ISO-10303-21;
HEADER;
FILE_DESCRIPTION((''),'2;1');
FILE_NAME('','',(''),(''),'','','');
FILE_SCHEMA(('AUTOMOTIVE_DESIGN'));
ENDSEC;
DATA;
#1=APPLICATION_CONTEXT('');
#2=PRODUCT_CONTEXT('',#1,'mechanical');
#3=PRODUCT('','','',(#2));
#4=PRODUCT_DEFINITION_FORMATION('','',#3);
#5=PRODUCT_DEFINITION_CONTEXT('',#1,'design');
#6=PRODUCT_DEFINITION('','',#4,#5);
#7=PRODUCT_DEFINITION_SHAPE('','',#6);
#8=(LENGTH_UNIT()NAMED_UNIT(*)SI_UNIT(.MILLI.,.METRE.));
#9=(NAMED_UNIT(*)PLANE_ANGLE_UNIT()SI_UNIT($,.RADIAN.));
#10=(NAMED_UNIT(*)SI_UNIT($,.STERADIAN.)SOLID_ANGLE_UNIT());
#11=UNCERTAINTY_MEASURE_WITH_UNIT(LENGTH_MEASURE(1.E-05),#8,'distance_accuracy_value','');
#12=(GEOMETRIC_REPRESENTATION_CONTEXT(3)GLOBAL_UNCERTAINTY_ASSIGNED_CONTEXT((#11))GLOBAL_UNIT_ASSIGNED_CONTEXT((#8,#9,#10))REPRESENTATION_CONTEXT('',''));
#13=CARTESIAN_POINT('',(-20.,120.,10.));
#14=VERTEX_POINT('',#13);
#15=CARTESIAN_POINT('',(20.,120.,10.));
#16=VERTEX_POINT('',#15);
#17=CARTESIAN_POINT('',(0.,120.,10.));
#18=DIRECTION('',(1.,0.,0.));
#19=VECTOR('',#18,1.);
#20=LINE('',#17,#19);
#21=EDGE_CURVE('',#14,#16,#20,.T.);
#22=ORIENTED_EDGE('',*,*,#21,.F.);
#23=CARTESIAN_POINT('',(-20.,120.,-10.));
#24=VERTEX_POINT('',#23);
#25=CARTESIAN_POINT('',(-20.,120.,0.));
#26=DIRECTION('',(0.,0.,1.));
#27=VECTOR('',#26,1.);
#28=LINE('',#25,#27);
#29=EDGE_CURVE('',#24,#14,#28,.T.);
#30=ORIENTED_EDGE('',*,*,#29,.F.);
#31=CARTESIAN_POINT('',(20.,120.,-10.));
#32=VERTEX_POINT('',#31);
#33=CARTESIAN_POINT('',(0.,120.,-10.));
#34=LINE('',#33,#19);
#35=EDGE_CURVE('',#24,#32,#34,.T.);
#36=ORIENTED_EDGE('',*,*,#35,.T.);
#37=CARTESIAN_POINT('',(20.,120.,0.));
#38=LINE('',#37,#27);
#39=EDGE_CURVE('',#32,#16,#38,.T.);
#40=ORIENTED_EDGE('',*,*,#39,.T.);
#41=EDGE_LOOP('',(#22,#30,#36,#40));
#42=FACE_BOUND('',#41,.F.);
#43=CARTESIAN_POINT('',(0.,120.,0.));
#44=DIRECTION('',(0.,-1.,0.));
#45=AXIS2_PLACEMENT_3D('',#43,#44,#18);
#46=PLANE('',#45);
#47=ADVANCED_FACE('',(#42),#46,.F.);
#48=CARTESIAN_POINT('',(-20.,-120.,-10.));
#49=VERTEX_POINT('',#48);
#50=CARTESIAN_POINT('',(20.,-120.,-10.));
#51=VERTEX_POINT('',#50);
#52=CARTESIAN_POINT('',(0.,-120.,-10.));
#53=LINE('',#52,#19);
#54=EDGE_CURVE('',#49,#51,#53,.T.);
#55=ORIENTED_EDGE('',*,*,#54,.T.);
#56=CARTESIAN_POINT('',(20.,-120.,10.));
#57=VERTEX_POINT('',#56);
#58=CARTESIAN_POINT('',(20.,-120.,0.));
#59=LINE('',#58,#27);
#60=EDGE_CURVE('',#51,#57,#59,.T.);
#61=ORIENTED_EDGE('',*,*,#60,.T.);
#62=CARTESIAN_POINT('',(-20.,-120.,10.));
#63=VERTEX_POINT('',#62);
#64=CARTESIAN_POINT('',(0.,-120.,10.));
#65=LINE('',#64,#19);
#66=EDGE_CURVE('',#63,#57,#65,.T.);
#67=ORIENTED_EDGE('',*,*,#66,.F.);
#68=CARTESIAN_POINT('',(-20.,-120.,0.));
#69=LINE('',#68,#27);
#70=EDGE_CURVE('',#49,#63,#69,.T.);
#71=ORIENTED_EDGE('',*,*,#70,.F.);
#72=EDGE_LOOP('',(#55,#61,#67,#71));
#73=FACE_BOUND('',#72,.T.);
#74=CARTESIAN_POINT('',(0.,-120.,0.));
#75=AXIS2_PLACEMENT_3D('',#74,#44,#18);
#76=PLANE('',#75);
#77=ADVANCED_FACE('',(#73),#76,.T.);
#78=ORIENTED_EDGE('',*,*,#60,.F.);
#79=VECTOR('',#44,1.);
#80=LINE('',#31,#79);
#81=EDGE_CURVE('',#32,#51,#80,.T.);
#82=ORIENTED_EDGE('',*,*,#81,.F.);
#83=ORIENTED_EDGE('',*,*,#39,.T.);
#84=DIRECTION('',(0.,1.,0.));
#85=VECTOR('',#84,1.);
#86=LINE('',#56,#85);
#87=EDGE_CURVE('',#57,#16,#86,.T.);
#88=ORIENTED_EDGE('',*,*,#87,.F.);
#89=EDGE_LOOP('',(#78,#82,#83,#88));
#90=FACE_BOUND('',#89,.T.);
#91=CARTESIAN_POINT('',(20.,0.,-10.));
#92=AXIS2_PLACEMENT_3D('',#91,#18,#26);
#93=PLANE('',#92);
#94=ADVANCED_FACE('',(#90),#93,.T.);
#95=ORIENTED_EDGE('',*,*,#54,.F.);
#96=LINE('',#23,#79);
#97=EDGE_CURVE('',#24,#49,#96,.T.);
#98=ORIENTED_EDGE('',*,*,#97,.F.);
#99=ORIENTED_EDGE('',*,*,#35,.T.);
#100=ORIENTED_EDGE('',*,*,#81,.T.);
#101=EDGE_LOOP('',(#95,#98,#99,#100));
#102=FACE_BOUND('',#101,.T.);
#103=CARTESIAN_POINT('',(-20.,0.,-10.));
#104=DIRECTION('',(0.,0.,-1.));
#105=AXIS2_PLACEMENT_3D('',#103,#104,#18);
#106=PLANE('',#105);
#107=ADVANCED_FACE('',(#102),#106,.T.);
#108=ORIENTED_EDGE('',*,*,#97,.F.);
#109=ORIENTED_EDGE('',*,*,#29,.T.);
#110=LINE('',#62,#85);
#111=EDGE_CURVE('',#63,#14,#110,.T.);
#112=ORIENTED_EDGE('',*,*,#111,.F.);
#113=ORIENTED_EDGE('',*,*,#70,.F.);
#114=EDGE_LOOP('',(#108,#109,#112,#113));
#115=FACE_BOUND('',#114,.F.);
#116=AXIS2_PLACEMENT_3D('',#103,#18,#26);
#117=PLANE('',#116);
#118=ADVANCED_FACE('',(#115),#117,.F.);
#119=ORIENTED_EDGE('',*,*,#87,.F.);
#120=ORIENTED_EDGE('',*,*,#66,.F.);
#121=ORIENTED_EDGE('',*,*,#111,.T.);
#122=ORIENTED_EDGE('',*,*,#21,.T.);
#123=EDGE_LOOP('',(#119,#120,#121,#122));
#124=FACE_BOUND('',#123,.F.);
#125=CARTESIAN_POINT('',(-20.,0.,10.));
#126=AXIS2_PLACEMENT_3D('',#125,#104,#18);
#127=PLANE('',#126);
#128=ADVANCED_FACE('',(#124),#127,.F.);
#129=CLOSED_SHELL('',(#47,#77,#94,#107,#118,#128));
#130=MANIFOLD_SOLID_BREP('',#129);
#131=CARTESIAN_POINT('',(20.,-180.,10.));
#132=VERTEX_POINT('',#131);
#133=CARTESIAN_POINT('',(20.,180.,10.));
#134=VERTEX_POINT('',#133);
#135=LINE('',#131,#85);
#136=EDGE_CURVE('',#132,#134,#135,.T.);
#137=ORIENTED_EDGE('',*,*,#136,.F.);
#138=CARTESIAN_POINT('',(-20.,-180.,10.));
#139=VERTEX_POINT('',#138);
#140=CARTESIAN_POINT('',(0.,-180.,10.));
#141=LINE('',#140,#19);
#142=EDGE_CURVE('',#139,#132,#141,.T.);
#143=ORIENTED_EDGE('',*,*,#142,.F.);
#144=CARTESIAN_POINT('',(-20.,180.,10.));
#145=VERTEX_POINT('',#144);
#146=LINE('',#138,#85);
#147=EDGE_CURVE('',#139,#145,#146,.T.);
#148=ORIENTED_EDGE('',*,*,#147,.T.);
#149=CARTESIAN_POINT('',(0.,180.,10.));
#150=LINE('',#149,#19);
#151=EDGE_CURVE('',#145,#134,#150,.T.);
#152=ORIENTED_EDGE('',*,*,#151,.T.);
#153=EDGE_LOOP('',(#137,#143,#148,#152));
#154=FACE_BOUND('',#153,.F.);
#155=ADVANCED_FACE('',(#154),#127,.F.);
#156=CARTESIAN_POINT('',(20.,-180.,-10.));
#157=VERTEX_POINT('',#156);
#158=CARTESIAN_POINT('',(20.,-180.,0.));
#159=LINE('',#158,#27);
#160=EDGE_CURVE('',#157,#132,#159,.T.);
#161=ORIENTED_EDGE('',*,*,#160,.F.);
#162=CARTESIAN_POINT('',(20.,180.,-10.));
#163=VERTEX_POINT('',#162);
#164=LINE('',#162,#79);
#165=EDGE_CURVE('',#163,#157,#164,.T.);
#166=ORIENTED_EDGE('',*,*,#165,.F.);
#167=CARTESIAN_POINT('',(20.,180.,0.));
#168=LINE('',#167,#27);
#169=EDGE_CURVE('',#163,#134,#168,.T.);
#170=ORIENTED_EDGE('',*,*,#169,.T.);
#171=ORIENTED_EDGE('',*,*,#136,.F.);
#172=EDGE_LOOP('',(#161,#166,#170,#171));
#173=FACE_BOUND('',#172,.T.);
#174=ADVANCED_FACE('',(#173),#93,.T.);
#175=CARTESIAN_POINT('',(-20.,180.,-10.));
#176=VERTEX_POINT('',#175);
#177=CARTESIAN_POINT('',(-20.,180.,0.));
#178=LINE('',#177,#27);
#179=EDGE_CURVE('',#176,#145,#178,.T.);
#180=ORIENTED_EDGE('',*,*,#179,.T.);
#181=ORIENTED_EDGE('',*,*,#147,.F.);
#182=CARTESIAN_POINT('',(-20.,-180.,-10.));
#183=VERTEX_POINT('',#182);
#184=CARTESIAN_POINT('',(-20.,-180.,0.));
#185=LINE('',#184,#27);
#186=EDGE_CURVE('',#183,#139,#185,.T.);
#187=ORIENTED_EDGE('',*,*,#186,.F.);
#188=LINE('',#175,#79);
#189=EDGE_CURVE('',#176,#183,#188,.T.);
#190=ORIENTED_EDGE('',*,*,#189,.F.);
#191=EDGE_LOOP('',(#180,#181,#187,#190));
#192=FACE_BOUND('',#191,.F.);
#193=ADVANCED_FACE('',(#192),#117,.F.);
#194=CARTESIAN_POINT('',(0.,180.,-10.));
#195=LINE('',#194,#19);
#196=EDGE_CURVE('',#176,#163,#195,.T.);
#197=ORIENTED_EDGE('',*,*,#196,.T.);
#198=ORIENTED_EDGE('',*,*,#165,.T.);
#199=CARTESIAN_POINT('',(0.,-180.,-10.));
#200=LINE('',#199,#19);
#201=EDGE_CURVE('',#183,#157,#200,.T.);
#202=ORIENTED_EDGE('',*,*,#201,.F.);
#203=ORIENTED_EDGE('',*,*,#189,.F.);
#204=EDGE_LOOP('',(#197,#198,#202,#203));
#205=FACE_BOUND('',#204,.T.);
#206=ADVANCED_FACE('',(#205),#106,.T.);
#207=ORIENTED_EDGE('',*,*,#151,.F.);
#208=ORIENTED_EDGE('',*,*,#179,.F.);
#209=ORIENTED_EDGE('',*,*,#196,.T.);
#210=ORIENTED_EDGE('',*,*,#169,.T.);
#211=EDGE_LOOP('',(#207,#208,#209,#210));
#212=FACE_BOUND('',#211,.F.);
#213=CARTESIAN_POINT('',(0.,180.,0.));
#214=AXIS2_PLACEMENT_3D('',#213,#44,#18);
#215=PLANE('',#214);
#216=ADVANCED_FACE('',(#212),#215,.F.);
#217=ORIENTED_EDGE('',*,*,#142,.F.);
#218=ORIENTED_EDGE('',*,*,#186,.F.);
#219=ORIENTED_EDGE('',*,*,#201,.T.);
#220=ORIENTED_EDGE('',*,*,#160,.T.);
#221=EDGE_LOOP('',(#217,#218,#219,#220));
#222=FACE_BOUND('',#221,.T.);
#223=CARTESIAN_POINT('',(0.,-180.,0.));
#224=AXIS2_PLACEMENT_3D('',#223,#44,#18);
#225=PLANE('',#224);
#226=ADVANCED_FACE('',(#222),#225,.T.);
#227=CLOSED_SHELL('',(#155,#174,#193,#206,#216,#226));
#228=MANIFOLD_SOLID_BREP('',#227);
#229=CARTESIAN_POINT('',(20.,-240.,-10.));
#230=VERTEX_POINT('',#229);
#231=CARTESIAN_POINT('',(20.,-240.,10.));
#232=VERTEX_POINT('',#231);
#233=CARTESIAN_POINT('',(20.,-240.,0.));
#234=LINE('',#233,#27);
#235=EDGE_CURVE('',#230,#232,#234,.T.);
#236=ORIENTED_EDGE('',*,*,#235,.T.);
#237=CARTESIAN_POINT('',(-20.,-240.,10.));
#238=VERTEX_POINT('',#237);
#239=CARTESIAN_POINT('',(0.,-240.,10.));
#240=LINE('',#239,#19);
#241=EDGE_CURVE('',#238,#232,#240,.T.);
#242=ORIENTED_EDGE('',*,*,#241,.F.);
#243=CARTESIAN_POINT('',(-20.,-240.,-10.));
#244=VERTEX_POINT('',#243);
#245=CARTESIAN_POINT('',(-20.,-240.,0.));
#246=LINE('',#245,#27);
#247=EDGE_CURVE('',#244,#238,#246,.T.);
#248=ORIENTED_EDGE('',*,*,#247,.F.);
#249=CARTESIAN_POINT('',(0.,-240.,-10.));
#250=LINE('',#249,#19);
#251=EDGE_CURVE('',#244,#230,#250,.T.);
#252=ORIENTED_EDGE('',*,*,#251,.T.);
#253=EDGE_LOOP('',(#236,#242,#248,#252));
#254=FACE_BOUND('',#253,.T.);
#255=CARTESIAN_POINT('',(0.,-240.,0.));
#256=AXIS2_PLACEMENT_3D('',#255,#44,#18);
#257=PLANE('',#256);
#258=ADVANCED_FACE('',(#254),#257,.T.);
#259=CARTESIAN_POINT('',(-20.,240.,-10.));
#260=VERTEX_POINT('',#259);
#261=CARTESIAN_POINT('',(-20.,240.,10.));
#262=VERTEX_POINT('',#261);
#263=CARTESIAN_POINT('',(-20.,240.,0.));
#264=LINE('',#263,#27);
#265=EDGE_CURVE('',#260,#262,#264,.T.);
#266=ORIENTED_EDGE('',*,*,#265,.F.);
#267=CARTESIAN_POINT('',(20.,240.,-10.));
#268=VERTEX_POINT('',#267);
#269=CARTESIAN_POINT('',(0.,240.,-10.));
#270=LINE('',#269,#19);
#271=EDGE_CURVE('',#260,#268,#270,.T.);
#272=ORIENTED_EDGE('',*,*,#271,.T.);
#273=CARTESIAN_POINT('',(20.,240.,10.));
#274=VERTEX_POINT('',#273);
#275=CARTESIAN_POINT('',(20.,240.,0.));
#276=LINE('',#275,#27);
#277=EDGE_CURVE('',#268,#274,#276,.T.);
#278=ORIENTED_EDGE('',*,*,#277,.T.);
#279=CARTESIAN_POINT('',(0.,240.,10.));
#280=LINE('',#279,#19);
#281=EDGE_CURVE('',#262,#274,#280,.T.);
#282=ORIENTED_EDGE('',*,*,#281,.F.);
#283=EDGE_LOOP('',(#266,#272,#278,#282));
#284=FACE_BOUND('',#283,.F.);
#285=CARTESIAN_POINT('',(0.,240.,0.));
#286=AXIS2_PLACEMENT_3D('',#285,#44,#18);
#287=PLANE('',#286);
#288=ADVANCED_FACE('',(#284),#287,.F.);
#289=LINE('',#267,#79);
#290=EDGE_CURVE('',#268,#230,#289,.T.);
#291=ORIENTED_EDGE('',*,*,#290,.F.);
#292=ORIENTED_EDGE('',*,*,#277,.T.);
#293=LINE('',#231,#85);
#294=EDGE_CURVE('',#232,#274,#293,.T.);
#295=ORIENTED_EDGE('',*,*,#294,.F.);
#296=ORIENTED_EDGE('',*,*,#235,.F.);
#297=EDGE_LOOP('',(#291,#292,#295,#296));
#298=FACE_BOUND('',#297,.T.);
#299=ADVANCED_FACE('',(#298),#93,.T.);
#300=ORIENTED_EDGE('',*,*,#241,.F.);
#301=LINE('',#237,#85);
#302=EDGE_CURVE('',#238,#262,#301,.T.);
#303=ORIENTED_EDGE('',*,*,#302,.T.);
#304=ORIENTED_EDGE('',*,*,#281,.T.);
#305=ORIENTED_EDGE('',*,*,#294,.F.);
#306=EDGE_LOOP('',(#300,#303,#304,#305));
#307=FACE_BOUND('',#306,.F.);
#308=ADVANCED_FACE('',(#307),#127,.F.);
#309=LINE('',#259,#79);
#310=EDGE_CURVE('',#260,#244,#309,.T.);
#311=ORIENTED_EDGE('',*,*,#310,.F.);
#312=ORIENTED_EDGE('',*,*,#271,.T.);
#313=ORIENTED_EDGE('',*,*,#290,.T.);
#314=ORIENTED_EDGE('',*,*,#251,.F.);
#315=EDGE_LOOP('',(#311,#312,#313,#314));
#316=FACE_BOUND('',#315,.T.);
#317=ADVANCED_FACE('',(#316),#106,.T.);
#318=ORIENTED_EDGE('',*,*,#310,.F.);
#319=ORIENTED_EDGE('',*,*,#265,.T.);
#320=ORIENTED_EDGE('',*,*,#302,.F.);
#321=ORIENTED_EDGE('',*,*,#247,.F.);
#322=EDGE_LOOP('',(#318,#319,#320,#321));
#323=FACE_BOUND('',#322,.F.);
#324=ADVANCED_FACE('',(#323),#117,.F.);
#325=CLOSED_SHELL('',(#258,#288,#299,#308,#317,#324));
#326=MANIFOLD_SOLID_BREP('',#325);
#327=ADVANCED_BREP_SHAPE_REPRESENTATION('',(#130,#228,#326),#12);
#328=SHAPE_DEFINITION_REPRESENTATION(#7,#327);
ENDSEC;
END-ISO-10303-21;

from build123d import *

# Parameters (mm, degrees)
F0_W     = 40
F0_H     = 20
F1_DEPTH = 240
F2_W     = 40
F2_H     = 20
F3_DEPTH = 180
F4_W     = 40
F4_H     = 20
F5_DEPTH = 120


with BuildPart() as f1:
    # F0 (on Front) → F1 (new body, symmetric)
    with BuildSketch(Plane.XZ):
        Rectangle(F0_W, F0_H)
    extrude(amount=F1_DEPTH, both=True)


with BuildPart() as f3:
    # F2 (on Front) → F3 (new body, symmetric)
    with BuildSketch(Plane.XZ):
        Rectangle(F2_W, F2_H)
    extrude(amount=F3_DEPTH, both=True)


with BuildPart() as f5:
    # F4 (on Front) → F5 (new body, symmetric)
    with BuildSketch(Plane.XZ):
        Rectangle(F4_W, F4_H)
    extrude(amount=F5_DEPTH, both=True)


solid = Compound([f1.part, f3.part, f5.part])
